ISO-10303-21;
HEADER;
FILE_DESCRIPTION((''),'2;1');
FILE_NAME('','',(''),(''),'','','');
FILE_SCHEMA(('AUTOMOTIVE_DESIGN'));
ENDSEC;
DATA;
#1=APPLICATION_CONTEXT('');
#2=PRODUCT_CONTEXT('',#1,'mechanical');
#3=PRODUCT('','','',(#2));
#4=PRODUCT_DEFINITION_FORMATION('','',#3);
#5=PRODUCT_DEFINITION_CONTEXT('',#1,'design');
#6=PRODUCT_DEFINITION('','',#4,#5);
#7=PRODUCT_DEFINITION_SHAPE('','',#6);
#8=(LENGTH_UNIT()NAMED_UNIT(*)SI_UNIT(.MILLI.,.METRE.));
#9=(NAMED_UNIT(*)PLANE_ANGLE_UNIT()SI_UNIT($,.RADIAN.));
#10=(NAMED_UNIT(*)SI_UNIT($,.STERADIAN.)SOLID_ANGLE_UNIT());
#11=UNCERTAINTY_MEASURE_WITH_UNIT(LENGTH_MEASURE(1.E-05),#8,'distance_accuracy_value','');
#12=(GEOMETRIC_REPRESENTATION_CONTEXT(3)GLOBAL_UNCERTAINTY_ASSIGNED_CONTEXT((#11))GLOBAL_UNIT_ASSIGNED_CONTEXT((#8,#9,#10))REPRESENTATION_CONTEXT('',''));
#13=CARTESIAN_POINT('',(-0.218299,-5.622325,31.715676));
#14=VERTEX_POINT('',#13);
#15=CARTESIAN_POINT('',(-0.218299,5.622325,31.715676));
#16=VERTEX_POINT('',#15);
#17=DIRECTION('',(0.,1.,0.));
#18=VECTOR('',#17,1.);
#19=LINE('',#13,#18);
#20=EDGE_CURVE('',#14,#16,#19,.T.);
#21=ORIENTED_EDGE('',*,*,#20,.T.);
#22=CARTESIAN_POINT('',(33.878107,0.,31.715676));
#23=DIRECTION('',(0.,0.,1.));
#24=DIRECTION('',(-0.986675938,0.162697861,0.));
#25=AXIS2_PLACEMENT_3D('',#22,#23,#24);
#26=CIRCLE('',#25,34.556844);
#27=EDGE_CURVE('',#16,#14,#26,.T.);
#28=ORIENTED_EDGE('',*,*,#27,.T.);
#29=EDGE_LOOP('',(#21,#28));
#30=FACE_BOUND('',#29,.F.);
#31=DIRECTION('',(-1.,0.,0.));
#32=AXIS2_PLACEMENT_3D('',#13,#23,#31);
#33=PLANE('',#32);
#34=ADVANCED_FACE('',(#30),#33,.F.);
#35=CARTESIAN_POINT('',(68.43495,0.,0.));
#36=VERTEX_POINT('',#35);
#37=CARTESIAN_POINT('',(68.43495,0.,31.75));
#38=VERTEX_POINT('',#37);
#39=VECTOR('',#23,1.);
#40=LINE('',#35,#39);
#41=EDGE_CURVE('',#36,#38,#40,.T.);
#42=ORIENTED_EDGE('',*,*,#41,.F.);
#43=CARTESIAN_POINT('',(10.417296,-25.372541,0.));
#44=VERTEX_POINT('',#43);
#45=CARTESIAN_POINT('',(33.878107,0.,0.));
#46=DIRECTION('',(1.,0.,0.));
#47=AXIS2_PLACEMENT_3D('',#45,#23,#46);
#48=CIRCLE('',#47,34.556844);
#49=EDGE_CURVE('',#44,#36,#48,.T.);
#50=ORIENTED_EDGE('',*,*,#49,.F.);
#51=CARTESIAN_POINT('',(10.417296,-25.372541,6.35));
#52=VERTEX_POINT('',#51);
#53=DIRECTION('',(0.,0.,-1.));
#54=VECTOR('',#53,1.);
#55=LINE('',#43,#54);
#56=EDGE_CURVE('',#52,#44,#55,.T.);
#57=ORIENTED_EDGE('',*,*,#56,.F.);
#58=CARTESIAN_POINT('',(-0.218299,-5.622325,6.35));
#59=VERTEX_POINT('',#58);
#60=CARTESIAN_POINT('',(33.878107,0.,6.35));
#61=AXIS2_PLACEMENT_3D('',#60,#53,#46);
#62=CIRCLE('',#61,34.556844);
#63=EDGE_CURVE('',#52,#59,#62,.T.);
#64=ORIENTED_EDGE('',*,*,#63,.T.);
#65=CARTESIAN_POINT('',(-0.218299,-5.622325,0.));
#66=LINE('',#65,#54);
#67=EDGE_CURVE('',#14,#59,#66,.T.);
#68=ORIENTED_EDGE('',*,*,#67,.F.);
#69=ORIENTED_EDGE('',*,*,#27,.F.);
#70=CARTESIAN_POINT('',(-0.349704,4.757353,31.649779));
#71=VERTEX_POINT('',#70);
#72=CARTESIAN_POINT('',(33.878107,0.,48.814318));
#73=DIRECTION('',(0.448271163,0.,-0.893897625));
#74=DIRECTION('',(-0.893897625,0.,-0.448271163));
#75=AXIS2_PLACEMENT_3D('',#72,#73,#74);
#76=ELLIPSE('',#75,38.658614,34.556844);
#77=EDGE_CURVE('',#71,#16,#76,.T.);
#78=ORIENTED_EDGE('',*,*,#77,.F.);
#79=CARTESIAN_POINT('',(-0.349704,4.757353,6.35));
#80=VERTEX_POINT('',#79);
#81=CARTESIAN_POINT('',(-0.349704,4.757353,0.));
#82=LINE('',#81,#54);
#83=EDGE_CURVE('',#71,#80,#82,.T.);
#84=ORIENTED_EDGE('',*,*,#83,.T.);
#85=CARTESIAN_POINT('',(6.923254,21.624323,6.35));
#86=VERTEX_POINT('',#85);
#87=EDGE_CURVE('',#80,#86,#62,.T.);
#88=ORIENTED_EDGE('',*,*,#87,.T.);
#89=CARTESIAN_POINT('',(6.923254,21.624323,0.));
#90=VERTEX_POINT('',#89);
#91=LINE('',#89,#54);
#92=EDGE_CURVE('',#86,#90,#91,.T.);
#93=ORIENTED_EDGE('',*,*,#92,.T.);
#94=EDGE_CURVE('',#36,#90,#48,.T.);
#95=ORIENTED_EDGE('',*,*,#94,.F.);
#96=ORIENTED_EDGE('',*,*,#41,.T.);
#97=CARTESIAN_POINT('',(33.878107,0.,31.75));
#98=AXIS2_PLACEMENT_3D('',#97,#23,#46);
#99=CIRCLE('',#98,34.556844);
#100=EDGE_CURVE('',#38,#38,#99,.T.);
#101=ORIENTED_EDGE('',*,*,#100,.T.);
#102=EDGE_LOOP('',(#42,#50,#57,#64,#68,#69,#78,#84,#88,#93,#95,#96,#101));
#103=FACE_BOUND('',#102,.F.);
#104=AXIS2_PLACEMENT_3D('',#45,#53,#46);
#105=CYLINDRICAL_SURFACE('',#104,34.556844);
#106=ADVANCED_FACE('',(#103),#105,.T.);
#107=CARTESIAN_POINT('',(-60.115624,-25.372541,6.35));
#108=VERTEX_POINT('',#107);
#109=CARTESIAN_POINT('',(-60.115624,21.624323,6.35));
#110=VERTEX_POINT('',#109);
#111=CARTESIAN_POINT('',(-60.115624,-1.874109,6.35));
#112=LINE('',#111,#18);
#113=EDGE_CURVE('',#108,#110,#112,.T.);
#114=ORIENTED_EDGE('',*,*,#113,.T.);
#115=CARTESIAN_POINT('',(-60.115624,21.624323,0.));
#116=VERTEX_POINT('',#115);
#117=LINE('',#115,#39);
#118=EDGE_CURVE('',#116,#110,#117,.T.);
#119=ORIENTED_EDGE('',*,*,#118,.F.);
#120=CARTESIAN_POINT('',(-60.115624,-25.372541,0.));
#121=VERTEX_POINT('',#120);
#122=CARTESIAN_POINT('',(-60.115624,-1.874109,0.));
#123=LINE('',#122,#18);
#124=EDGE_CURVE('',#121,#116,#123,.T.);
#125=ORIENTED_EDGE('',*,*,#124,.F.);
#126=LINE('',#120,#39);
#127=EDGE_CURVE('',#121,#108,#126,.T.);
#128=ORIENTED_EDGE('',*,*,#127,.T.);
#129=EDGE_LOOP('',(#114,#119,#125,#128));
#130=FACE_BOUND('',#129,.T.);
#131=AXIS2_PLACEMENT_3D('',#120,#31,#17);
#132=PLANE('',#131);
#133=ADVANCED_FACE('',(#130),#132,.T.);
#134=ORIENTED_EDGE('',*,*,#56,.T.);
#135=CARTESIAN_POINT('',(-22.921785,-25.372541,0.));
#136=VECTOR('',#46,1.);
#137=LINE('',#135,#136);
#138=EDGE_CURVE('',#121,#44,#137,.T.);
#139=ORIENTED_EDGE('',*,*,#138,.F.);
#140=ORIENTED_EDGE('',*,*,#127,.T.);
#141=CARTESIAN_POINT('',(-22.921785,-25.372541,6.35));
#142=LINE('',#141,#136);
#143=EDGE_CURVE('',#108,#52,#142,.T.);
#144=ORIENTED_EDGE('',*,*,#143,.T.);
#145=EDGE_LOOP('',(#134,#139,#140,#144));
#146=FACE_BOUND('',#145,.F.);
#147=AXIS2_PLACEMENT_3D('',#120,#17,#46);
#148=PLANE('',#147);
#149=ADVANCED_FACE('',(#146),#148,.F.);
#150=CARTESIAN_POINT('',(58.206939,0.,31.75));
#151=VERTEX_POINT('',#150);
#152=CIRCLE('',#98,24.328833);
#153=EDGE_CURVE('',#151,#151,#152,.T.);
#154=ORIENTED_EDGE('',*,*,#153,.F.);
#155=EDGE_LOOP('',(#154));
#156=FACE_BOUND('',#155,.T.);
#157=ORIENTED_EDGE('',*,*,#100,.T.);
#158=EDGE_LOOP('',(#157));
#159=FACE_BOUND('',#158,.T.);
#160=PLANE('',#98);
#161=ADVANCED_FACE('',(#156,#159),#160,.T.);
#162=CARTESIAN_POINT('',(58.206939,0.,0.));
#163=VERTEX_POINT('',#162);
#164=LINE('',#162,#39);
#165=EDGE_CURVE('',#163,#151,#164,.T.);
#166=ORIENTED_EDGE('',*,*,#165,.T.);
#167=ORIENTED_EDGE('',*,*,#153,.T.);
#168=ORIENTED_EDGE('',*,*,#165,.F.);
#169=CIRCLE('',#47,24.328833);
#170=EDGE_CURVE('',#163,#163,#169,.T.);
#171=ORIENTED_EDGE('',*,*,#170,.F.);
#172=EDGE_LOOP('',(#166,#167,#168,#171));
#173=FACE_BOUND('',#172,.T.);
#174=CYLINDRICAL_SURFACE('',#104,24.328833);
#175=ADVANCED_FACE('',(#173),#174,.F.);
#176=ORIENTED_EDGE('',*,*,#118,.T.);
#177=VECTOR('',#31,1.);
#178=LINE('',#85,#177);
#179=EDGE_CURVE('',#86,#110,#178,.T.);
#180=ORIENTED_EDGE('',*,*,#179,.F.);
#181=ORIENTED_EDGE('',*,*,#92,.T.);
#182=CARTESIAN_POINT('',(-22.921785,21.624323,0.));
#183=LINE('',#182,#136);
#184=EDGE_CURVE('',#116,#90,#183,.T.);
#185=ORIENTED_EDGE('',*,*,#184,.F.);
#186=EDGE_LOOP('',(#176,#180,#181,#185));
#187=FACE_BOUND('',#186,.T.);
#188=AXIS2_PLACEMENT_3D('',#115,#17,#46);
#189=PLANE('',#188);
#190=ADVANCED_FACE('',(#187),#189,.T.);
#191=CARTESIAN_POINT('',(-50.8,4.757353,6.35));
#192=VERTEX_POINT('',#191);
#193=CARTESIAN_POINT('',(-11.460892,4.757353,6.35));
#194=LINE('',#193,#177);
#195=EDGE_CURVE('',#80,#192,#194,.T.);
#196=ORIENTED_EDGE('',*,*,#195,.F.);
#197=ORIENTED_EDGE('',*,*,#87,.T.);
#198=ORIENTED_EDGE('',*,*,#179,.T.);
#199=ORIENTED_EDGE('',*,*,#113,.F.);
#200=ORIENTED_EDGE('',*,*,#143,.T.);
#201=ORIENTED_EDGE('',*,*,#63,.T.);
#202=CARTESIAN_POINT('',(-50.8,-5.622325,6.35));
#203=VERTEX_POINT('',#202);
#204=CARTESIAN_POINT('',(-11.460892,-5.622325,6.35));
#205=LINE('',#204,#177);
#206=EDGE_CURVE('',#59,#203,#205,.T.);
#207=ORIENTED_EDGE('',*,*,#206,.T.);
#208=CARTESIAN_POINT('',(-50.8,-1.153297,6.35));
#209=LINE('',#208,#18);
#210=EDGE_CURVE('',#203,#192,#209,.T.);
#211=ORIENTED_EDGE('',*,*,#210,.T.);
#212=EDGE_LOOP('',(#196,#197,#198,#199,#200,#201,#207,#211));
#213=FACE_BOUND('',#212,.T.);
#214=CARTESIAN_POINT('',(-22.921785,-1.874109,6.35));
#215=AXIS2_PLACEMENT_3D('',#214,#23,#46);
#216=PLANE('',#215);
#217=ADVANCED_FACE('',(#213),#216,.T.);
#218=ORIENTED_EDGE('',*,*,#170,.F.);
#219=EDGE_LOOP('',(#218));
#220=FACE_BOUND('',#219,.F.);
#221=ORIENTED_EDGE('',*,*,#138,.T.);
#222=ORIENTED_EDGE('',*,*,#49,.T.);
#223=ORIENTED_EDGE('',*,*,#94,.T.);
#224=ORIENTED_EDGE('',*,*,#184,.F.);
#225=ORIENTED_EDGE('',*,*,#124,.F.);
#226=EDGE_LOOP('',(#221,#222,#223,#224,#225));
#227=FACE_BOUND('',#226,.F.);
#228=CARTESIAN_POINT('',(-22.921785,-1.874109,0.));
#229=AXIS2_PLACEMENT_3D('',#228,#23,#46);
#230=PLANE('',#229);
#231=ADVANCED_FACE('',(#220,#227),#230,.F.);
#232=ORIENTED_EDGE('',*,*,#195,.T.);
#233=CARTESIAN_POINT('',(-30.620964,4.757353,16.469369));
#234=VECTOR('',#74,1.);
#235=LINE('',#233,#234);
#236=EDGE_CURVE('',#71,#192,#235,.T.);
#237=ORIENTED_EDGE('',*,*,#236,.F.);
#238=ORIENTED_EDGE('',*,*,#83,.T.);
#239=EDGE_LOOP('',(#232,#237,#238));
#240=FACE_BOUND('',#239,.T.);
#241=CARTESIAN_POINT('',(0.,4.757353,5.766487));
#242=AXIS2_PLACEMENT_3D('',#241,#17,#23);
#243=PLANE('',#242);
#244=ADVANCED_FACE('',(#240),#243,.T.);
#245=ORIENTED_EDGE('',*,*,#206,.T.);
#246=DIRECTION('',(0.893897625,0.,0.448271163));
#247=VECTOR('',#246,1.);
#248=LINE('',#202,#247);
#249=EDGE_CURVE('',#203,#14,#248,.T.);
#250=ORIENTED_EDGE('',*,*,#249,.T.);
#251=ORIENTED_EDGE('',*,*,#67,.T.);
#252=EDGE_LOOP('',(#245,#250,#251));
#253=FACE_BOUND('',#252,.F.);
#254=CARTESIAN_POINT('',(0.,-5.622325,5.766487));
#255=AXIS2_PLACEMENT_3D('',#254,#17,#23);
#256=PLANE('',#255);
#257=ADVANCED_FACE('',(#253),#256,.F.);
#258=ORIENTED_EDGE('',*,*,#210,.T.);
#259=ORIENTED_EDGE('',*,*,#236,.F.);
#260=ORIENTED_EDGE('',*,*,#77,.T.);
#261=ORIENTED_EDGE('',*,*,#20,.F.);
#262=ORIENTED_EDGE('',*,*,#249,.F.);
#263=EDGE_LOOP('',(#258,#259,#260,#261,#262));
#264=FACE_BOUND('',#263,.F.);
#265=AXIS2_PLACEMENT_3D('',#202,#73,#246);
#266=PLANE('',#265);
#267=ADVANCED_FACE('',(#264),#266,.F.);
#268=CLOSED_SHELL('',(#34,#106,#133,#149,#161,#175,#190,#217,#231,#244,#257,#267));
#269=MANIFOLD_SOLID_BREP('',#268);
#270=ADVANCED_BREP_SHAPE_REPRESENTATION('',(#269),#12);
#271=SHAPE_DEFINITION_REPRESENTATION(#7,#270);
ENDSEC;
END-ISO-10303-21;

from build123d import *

# Parameters (mm, degrees)
F0_R      = 34.5568436117
F0_R_2    = 24.3288327677
F1_DEPTH  = 50.8
F2_W      = 74.3876788765
F2_H      = 46.9968635589
F3_DEPTH  = 25.4
F4_DEPTH  = 19.05
F5_DEPTH  = 19.05
F6_DEPTH  = 50.8
F7_W      = 10.3796771728
F7_H      = 25.9491894394
F8_DEPTH  = 50.8
F10_DEPTH = 76.2


with BuildPart() as f1:
    # F0 (on Top) → F1 (new body)
    with BuildSketch(Plane.XY):
        with Locations((33.8781066239, 0)):
            Circle(F0_R)
        with Locations((33.8781066239, 0)):
            Circle(F0_R_2, mode=Mode.SUBTRACT)
    extrude(amount=F1_DEPTH)

    # F2 (on Top) → F3 (join)
    with BuildSketch(Plane.XY):
        with Locations((-22.9217847809, -1.8741087988)):
            Rectangle(F2_W, F2_H)
    extrude(amount=F3_DEPTH)

    # F4 (cut): a face of the model
    f4_faces = [f1.faces().sort_by_distance(p)[0] for p in [
        (0.2986781504, 0, 50.8),
    ]]
    extrude(f4_faces, amount=-F4_DEPTH, mode=Mode.SUBTRACT)

    # F5 (cut): a face of the model
    f5_faces = [f1.faces().sort_by_distance(p)[0] for p in [
        (-28.8538449791, -2.0648821255, 25.4),
    ]]
    extrude(f5_faces, amount=-F5_DEPTH, mode=Mode.SUBTRACT)

    # F6 (cut): a face of the model
    f6_faces = [f1.faces().sort_by_distance(p)[0] for p in [
        (12.3662875308, 0, 25.4),
    ]]
    extrude(f6_faces, amount=-F6_DEPTH, mode=Mode.SUBTRACT)

    # F7 (on Right) → F8 (join)
    with BuildSketch(Plane.YZ):
        with Locations((-0.4324859474, 18.7410814688)):
            Rectangle(F7_W, F7_H)
    extrude(amount=-F8_DEPTH)

    # F9 (on face) → F10 (cut)
    with BuildSketch(Plane.XZ.offset(5.6223245338)):
        Polygon((-50.8, 6.35), (-0.2182994512, 31.7156761885), (-50.8, 31.7156761885), align=None)
    extrude(amount=-F10_DEPTH, mode=Mode.SUBTRACT)


solid = f1.part
